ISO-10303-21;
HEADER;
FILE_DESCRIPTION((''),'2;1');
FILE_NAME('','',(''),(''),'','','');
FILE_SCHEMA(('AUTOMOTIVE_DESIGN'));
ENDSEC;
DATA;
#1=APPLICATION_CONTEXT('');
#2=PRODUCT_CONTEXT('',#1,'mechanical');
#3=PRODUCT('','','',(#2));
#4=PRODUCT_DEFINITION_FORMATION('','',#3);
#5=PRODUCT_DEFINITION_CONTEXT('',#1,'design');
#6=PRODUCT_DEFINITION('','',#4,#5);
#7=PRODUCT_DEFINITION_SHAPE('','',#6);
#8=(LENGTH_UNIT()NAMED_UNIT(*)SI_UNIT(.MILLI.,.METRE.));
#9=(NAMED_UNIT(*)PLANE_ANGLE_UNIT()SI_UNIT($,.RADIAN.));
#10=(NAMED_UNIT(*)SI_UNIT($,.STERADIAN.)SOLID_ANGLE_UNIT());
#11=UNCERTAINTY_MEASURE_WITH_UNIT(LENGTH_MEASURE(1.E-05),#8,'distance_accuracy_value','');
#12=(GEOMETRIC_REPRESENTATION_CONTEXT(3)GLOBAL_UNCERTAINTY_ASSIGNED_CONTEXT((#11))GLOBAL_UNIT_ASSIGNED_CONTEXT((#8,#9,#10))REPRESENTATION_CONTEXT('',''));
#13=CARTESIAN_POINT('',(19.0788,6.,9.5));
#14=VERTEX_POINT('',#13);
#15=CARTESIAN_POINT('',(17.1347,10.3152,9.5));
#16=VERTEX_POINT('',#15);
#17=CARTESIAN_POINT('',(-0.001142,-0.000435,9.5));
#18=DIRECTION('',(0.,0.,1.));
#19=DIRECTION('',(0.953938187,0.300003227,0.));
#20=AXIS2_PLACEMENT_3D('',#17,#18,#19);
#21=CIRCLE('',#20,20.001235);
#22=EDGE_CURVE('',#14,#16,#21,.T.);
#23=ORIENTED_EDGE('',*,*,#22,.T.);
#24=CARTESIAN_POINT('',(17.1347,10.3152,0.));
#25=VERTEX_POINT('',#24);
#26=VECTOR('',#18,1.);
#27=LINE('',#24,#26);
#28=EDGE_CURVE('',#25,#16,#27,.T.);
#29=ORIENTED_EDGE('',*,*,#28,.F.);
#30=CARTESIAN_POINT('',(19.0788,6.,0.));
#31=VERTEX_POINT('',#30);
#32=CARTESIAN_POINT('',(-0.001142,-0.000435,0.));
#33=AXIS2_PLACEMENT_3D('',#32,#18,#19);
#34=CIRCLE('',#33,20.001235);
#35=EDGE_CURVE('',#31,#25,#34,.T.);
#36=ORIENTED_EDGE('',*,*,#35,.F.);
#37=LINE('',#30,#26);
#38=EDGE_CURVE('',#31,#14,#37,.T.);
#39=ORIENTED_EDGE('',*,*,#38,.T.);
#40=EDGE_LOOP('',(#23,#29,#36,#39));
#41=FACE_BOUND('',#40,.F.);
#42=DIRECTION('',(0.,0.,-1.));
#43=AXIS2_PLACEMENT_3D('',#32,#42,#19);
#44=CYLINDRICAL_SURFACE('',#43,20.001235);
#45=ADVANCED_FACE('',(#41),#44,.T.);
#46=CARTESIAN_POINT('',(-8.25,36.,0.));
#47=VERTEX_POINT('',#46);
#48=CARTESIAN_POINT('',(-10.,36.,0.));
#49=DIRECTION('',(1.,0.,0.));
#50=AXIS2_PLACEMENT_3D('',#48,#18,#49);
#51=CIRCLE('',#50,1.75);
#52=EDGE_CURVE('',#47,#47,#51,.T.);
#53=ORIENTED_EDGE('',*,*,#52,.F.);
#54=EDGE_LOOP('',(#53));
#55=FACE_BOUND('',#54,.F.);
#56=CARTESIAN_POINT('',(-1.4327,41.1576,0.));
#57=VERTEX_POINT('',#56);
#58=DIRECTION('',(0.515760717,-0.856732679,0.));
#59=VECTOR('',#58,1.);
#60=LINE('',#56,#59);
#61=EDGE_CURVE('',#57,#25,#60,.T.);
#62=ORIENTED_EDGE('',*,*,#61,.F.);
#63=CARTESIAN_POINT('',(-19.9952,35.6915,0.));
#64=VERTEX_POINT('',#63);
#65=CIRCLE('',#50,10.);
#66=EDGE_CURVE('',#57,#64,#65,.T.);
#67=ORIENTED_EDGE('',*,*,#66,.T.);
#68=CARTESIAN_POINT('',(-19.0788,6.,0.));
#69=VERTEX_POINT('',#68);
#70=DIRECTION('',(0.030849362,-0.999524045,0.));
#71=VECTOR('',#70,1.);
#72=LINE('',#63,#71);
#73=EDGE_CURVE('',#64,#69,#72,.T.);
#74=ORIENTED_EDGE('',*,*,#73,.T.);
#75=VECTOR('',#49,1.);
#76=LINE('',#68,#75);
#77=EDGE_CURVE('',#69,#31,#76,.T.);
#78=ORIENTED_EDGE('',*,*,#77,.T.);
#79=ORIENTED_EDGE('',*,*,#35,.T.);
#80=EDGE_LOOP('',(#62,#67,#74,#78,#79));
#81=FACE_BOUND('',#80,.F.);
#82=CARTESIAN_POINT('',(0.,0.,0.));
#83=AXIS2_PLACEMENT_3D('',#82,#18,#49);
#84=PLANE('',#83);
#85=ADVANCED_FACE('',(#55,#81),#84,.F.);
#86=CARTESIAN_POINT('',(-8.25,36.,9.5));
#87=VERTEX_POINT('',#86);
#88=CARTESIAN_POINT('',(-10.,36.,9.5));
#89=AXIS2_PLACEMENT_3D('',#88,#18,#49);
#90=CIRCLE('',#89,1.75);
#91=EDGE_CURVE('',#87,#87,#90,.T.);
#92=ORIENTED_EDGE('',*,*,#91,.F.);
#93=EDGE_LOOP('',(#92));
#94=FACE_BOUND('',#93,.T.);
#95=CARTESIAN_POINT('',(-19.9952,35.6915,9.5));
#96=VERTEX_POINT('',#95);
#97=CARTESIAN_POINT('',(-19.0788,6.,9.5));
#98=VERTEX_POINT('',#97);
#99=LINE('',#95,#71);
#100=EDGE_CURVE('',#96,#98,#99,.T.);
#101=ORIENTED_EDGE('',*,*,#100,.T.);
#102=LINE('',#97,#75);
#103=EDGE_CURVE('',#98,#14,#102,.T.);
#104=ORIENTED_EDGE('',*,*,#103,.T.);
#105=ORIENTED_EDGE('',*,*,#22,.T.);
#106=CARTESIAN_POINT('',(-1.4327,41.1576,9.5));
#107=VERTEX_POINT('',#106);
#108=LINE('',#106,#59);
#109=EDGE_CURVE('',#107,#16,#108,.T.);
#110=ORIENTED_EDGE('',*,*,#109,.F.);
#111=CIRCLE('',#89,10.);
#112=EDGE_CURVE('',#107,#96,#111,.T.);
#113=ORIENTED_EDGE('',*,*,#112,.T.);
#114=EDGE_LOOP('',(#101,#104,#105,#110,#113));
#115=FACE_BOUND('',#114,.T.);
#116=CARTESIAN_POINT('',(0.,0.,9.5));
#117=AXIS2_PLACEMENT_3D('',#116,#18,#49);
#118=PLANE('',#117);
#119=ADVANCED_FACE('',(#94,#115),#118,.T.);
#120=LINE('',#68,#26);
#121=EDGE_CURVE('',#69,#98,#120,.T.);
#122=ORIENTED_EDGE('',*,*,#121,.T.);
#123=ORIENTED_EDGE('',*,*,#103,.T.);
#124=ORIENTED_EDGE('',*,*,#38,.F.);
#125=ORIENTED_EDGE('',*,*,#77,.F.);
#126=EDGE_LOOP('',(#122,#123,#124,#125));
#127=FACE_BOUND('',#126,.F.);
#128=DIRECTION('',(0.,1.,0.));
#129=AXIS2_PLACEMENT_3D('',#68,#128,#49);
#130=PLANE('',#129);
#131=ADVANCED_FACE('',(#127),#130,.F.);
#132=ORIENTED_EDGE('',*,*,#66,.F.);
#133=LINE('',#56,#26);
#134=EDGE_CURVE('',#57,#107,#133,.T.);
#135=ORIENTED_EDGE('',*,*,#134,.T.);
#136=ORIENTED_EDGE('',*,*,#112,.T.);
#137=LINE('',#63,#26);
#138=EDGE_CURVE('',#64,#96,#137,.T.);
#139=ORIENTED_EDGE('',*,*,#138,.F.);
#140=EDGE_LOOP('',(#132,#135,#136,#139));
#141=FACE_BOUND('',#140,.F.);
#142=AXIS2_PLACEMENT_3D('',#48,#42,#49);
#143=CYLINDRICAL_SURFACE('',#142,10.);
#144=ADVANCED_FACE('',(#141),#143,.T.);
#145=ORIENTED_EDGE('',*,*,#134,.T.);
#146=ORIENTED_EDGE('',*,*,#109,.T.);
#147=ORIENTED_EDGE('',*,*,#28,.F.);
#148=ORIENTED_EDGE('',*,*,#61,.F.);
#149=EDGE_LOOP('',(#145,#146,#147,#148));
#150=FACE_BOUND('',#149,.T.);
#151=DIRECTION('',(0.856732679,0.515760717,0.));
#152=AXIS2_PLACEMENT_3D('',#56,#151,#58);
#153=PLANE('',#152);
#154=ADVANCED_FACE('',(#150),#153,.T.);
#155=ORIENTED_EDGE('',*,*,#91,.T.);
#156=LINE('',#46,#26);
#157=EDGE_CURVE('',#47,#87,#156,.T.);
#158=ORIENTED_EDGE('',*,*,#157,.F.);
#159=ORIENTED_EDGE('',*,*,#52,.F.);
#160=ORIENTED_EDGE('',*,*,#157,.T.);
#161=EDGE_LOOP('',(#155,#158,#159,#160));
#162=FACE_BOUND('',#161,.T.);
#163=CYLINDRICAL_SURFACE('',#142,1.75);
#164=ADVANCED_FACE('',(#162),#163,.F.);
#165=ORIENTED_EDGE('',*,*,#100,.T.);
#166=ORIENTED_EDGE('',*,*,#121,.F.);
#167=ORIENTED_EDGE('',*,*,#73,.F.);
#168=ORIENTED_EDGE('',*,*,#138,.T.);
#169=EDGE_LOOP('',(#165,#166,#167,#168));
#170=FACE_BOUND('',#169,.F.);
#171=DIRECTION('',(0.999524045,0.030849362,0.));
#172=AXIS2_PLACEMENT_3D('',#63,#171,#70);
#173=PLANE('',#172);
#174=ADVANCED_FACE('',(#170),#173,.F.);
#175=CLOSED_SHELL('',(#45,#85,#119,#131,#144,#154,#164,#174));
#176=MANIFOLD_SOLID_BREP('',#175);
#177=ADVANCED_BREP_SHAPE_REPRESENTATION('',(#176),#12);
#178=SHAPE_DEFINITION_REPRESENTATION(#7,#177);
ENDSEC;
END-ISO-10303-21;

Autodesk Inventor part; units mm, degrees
ref_plane "YZ Plane" through (0, 0, 0) normal (1, 0, 0) x (0, 1, 0)
ref_plane "XZ Plane" through (0, 0, 0) normal (0, 1, 0) x (-1, 0, 0)
ref_plane "XY Plane" through (0, 0, 0) normal (0, 0, 1) x (1, 0, 0)
sketch "Эскиз1" plane through (0, 0, 0) normal (0, 0, 1) x (1, 0, 0)
  arc A0 (19.0788, 6) -> (17.1347, 10.3152) centre (0, 0) ccw
  line L0 (-19.0788, 6) -> (19.0788, 6)
  circle A1 centre (-10, 36) radius 1.75
  circle A2 centre (-10, 36) radius 10
  line L1 (-19.9952, 35.6915) -> (-19.0788, 6)
  line L2 (-1.4327, 41.1576) -> (17.1347, 10.3152)
  dimension "d0" = 40
  dimension "d1" = 6
  dimension "d2" = 3.5
  dimension "d3" = 20
  dimension "d4" = 30
  dimension "d5" = 10
extrude "Выдавливание1" add sketch "Эскиз1" along normal blind 9.5
properties part number "heaript"
